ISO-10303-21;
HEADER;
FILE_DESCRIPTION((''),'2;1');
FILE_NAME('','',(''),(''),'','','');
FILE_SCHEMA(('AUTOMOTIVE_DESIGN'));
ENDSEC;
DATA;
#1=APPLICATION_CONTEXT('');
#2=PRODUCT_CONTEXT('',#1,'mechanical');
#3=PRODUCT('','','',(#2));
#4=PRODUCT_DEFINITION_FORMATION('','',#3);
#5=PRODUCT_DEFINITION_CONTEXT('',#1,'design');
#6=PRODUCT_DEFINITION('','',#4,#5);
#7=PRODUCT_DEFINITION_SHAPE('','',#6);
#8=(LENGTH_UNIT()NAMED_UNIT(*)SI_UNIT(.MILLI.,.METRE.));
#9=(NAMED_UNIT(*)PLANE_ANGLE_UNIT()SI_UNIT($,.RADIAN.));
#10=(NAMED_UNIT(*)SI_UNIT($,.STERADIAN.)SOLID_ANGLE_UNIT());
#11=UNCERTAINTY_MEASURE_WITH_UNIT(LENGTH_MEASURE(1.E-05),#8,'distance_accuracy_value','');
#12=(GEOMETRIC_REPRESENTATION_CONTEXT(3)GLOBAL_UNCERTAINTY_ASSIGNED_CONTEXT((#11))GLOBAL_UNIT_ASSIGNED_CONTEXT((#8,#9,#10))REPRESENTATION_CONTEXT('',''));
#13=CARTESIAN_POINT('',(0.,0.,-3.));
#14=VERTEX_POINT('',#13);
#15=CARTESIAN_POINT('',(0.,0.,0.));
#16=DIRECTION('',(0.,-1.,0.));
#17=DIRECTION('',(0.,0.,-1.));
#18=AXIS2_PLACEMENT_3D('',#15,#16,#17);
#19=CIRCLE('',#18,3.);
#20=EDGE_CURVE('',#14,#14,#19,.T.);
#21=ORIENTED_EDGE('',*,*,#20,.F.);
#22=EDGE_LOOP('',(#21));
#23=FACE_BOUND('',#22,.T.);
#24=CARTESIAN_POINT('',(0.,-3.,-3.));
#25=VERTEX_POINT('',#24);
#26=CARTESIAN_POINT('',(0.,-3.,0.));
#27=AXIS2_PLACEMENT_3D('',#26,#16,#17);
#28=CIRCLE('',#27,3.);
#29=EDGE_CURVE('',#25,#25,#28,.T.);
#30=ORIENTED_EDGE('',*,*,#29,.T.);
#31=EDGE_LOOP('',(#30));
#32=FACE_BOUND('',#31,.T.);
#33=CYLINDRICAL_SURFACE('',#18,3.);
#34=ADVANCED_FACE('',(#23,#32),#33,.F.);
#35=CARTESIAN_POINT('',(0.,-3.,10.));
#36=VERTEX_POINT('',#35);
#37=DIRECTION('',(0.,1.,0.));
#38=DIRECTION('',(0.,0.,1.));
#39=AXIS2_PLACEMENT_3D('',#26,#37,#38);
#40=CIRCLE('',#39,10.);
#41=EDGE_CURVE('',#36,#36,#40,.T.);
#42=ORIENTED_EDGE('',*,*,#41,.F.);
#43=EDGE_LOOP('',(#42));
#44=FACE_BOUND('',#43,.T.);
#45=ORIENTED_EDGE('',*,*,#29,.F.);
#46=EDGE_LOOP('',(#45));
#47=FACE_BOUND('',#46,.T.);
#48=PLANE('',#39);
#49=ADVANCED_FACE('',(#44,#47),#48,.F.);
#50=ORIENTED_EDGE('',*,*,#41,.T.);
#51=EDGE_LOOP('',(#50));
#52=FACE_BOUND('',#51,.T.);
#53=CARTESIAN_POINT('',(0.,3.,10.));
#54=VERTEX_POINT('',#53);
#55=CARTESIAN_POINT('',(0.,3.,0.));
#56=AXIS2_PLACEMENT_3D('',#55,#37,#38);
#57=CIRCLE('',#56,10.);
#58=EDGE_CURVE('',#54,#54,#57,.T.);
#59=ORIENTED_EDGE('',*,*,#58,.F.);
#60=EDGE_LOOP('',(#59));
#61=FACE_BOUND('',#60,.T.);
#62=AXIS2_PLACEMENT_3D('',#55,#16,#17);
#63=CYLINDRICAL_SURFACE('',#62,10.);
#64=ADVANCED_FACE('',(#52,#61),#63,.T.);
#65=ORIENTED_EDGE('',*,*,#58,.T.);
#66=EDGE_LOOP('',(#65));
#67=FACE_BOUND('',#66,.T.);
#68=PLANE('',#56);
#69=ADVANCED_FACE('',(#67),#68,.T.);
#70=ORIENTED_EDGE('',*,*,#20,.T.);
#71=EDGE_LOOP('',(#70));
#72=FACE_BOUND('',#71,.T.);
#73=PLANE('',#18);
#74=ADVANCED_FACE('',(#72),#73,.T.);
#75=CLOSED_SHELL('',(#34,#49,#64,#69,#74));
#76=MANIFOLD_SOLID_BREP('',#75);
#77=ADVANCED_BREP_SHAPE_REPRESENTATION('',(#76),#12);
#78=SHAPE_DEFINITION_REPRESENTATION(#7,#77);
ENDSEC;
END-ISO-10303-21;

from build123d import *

# Parameters (mm, degrees)
SKETCH2_R           = 10
BOSS_EXTRUDE1_DEPTH = 3
SKETCH4_R           = 3
CUT_EXTRUDE2_DEPTH  = 3


with BuildPart() as part:
    # Sketch2 → Boss-Extrude1 (new body, symmetric)
    with BuildSketch(Plane(origin=(0, 0, 0), x_dir=(1, 0, 0), z_dir=(0, 1, 0))):
        Circle(SKETCH2_R)
    extrude(amount=BOSS_EXTRUDE1_DEPTH, both=True)

    # Sketch4 → Cut-Extrude2 (cut)
    with BuildSketch(Plane(origin=(0, -3, 0), x_dir=(-1, 0, 0), z_dir=(0, -1, 0))):
        Circle(SKETCH4_R)
    extrude(amount=-CUT_EXTRUDE2_DEPTH, mode=Mode.SUBTRACT)


solid = part.part
